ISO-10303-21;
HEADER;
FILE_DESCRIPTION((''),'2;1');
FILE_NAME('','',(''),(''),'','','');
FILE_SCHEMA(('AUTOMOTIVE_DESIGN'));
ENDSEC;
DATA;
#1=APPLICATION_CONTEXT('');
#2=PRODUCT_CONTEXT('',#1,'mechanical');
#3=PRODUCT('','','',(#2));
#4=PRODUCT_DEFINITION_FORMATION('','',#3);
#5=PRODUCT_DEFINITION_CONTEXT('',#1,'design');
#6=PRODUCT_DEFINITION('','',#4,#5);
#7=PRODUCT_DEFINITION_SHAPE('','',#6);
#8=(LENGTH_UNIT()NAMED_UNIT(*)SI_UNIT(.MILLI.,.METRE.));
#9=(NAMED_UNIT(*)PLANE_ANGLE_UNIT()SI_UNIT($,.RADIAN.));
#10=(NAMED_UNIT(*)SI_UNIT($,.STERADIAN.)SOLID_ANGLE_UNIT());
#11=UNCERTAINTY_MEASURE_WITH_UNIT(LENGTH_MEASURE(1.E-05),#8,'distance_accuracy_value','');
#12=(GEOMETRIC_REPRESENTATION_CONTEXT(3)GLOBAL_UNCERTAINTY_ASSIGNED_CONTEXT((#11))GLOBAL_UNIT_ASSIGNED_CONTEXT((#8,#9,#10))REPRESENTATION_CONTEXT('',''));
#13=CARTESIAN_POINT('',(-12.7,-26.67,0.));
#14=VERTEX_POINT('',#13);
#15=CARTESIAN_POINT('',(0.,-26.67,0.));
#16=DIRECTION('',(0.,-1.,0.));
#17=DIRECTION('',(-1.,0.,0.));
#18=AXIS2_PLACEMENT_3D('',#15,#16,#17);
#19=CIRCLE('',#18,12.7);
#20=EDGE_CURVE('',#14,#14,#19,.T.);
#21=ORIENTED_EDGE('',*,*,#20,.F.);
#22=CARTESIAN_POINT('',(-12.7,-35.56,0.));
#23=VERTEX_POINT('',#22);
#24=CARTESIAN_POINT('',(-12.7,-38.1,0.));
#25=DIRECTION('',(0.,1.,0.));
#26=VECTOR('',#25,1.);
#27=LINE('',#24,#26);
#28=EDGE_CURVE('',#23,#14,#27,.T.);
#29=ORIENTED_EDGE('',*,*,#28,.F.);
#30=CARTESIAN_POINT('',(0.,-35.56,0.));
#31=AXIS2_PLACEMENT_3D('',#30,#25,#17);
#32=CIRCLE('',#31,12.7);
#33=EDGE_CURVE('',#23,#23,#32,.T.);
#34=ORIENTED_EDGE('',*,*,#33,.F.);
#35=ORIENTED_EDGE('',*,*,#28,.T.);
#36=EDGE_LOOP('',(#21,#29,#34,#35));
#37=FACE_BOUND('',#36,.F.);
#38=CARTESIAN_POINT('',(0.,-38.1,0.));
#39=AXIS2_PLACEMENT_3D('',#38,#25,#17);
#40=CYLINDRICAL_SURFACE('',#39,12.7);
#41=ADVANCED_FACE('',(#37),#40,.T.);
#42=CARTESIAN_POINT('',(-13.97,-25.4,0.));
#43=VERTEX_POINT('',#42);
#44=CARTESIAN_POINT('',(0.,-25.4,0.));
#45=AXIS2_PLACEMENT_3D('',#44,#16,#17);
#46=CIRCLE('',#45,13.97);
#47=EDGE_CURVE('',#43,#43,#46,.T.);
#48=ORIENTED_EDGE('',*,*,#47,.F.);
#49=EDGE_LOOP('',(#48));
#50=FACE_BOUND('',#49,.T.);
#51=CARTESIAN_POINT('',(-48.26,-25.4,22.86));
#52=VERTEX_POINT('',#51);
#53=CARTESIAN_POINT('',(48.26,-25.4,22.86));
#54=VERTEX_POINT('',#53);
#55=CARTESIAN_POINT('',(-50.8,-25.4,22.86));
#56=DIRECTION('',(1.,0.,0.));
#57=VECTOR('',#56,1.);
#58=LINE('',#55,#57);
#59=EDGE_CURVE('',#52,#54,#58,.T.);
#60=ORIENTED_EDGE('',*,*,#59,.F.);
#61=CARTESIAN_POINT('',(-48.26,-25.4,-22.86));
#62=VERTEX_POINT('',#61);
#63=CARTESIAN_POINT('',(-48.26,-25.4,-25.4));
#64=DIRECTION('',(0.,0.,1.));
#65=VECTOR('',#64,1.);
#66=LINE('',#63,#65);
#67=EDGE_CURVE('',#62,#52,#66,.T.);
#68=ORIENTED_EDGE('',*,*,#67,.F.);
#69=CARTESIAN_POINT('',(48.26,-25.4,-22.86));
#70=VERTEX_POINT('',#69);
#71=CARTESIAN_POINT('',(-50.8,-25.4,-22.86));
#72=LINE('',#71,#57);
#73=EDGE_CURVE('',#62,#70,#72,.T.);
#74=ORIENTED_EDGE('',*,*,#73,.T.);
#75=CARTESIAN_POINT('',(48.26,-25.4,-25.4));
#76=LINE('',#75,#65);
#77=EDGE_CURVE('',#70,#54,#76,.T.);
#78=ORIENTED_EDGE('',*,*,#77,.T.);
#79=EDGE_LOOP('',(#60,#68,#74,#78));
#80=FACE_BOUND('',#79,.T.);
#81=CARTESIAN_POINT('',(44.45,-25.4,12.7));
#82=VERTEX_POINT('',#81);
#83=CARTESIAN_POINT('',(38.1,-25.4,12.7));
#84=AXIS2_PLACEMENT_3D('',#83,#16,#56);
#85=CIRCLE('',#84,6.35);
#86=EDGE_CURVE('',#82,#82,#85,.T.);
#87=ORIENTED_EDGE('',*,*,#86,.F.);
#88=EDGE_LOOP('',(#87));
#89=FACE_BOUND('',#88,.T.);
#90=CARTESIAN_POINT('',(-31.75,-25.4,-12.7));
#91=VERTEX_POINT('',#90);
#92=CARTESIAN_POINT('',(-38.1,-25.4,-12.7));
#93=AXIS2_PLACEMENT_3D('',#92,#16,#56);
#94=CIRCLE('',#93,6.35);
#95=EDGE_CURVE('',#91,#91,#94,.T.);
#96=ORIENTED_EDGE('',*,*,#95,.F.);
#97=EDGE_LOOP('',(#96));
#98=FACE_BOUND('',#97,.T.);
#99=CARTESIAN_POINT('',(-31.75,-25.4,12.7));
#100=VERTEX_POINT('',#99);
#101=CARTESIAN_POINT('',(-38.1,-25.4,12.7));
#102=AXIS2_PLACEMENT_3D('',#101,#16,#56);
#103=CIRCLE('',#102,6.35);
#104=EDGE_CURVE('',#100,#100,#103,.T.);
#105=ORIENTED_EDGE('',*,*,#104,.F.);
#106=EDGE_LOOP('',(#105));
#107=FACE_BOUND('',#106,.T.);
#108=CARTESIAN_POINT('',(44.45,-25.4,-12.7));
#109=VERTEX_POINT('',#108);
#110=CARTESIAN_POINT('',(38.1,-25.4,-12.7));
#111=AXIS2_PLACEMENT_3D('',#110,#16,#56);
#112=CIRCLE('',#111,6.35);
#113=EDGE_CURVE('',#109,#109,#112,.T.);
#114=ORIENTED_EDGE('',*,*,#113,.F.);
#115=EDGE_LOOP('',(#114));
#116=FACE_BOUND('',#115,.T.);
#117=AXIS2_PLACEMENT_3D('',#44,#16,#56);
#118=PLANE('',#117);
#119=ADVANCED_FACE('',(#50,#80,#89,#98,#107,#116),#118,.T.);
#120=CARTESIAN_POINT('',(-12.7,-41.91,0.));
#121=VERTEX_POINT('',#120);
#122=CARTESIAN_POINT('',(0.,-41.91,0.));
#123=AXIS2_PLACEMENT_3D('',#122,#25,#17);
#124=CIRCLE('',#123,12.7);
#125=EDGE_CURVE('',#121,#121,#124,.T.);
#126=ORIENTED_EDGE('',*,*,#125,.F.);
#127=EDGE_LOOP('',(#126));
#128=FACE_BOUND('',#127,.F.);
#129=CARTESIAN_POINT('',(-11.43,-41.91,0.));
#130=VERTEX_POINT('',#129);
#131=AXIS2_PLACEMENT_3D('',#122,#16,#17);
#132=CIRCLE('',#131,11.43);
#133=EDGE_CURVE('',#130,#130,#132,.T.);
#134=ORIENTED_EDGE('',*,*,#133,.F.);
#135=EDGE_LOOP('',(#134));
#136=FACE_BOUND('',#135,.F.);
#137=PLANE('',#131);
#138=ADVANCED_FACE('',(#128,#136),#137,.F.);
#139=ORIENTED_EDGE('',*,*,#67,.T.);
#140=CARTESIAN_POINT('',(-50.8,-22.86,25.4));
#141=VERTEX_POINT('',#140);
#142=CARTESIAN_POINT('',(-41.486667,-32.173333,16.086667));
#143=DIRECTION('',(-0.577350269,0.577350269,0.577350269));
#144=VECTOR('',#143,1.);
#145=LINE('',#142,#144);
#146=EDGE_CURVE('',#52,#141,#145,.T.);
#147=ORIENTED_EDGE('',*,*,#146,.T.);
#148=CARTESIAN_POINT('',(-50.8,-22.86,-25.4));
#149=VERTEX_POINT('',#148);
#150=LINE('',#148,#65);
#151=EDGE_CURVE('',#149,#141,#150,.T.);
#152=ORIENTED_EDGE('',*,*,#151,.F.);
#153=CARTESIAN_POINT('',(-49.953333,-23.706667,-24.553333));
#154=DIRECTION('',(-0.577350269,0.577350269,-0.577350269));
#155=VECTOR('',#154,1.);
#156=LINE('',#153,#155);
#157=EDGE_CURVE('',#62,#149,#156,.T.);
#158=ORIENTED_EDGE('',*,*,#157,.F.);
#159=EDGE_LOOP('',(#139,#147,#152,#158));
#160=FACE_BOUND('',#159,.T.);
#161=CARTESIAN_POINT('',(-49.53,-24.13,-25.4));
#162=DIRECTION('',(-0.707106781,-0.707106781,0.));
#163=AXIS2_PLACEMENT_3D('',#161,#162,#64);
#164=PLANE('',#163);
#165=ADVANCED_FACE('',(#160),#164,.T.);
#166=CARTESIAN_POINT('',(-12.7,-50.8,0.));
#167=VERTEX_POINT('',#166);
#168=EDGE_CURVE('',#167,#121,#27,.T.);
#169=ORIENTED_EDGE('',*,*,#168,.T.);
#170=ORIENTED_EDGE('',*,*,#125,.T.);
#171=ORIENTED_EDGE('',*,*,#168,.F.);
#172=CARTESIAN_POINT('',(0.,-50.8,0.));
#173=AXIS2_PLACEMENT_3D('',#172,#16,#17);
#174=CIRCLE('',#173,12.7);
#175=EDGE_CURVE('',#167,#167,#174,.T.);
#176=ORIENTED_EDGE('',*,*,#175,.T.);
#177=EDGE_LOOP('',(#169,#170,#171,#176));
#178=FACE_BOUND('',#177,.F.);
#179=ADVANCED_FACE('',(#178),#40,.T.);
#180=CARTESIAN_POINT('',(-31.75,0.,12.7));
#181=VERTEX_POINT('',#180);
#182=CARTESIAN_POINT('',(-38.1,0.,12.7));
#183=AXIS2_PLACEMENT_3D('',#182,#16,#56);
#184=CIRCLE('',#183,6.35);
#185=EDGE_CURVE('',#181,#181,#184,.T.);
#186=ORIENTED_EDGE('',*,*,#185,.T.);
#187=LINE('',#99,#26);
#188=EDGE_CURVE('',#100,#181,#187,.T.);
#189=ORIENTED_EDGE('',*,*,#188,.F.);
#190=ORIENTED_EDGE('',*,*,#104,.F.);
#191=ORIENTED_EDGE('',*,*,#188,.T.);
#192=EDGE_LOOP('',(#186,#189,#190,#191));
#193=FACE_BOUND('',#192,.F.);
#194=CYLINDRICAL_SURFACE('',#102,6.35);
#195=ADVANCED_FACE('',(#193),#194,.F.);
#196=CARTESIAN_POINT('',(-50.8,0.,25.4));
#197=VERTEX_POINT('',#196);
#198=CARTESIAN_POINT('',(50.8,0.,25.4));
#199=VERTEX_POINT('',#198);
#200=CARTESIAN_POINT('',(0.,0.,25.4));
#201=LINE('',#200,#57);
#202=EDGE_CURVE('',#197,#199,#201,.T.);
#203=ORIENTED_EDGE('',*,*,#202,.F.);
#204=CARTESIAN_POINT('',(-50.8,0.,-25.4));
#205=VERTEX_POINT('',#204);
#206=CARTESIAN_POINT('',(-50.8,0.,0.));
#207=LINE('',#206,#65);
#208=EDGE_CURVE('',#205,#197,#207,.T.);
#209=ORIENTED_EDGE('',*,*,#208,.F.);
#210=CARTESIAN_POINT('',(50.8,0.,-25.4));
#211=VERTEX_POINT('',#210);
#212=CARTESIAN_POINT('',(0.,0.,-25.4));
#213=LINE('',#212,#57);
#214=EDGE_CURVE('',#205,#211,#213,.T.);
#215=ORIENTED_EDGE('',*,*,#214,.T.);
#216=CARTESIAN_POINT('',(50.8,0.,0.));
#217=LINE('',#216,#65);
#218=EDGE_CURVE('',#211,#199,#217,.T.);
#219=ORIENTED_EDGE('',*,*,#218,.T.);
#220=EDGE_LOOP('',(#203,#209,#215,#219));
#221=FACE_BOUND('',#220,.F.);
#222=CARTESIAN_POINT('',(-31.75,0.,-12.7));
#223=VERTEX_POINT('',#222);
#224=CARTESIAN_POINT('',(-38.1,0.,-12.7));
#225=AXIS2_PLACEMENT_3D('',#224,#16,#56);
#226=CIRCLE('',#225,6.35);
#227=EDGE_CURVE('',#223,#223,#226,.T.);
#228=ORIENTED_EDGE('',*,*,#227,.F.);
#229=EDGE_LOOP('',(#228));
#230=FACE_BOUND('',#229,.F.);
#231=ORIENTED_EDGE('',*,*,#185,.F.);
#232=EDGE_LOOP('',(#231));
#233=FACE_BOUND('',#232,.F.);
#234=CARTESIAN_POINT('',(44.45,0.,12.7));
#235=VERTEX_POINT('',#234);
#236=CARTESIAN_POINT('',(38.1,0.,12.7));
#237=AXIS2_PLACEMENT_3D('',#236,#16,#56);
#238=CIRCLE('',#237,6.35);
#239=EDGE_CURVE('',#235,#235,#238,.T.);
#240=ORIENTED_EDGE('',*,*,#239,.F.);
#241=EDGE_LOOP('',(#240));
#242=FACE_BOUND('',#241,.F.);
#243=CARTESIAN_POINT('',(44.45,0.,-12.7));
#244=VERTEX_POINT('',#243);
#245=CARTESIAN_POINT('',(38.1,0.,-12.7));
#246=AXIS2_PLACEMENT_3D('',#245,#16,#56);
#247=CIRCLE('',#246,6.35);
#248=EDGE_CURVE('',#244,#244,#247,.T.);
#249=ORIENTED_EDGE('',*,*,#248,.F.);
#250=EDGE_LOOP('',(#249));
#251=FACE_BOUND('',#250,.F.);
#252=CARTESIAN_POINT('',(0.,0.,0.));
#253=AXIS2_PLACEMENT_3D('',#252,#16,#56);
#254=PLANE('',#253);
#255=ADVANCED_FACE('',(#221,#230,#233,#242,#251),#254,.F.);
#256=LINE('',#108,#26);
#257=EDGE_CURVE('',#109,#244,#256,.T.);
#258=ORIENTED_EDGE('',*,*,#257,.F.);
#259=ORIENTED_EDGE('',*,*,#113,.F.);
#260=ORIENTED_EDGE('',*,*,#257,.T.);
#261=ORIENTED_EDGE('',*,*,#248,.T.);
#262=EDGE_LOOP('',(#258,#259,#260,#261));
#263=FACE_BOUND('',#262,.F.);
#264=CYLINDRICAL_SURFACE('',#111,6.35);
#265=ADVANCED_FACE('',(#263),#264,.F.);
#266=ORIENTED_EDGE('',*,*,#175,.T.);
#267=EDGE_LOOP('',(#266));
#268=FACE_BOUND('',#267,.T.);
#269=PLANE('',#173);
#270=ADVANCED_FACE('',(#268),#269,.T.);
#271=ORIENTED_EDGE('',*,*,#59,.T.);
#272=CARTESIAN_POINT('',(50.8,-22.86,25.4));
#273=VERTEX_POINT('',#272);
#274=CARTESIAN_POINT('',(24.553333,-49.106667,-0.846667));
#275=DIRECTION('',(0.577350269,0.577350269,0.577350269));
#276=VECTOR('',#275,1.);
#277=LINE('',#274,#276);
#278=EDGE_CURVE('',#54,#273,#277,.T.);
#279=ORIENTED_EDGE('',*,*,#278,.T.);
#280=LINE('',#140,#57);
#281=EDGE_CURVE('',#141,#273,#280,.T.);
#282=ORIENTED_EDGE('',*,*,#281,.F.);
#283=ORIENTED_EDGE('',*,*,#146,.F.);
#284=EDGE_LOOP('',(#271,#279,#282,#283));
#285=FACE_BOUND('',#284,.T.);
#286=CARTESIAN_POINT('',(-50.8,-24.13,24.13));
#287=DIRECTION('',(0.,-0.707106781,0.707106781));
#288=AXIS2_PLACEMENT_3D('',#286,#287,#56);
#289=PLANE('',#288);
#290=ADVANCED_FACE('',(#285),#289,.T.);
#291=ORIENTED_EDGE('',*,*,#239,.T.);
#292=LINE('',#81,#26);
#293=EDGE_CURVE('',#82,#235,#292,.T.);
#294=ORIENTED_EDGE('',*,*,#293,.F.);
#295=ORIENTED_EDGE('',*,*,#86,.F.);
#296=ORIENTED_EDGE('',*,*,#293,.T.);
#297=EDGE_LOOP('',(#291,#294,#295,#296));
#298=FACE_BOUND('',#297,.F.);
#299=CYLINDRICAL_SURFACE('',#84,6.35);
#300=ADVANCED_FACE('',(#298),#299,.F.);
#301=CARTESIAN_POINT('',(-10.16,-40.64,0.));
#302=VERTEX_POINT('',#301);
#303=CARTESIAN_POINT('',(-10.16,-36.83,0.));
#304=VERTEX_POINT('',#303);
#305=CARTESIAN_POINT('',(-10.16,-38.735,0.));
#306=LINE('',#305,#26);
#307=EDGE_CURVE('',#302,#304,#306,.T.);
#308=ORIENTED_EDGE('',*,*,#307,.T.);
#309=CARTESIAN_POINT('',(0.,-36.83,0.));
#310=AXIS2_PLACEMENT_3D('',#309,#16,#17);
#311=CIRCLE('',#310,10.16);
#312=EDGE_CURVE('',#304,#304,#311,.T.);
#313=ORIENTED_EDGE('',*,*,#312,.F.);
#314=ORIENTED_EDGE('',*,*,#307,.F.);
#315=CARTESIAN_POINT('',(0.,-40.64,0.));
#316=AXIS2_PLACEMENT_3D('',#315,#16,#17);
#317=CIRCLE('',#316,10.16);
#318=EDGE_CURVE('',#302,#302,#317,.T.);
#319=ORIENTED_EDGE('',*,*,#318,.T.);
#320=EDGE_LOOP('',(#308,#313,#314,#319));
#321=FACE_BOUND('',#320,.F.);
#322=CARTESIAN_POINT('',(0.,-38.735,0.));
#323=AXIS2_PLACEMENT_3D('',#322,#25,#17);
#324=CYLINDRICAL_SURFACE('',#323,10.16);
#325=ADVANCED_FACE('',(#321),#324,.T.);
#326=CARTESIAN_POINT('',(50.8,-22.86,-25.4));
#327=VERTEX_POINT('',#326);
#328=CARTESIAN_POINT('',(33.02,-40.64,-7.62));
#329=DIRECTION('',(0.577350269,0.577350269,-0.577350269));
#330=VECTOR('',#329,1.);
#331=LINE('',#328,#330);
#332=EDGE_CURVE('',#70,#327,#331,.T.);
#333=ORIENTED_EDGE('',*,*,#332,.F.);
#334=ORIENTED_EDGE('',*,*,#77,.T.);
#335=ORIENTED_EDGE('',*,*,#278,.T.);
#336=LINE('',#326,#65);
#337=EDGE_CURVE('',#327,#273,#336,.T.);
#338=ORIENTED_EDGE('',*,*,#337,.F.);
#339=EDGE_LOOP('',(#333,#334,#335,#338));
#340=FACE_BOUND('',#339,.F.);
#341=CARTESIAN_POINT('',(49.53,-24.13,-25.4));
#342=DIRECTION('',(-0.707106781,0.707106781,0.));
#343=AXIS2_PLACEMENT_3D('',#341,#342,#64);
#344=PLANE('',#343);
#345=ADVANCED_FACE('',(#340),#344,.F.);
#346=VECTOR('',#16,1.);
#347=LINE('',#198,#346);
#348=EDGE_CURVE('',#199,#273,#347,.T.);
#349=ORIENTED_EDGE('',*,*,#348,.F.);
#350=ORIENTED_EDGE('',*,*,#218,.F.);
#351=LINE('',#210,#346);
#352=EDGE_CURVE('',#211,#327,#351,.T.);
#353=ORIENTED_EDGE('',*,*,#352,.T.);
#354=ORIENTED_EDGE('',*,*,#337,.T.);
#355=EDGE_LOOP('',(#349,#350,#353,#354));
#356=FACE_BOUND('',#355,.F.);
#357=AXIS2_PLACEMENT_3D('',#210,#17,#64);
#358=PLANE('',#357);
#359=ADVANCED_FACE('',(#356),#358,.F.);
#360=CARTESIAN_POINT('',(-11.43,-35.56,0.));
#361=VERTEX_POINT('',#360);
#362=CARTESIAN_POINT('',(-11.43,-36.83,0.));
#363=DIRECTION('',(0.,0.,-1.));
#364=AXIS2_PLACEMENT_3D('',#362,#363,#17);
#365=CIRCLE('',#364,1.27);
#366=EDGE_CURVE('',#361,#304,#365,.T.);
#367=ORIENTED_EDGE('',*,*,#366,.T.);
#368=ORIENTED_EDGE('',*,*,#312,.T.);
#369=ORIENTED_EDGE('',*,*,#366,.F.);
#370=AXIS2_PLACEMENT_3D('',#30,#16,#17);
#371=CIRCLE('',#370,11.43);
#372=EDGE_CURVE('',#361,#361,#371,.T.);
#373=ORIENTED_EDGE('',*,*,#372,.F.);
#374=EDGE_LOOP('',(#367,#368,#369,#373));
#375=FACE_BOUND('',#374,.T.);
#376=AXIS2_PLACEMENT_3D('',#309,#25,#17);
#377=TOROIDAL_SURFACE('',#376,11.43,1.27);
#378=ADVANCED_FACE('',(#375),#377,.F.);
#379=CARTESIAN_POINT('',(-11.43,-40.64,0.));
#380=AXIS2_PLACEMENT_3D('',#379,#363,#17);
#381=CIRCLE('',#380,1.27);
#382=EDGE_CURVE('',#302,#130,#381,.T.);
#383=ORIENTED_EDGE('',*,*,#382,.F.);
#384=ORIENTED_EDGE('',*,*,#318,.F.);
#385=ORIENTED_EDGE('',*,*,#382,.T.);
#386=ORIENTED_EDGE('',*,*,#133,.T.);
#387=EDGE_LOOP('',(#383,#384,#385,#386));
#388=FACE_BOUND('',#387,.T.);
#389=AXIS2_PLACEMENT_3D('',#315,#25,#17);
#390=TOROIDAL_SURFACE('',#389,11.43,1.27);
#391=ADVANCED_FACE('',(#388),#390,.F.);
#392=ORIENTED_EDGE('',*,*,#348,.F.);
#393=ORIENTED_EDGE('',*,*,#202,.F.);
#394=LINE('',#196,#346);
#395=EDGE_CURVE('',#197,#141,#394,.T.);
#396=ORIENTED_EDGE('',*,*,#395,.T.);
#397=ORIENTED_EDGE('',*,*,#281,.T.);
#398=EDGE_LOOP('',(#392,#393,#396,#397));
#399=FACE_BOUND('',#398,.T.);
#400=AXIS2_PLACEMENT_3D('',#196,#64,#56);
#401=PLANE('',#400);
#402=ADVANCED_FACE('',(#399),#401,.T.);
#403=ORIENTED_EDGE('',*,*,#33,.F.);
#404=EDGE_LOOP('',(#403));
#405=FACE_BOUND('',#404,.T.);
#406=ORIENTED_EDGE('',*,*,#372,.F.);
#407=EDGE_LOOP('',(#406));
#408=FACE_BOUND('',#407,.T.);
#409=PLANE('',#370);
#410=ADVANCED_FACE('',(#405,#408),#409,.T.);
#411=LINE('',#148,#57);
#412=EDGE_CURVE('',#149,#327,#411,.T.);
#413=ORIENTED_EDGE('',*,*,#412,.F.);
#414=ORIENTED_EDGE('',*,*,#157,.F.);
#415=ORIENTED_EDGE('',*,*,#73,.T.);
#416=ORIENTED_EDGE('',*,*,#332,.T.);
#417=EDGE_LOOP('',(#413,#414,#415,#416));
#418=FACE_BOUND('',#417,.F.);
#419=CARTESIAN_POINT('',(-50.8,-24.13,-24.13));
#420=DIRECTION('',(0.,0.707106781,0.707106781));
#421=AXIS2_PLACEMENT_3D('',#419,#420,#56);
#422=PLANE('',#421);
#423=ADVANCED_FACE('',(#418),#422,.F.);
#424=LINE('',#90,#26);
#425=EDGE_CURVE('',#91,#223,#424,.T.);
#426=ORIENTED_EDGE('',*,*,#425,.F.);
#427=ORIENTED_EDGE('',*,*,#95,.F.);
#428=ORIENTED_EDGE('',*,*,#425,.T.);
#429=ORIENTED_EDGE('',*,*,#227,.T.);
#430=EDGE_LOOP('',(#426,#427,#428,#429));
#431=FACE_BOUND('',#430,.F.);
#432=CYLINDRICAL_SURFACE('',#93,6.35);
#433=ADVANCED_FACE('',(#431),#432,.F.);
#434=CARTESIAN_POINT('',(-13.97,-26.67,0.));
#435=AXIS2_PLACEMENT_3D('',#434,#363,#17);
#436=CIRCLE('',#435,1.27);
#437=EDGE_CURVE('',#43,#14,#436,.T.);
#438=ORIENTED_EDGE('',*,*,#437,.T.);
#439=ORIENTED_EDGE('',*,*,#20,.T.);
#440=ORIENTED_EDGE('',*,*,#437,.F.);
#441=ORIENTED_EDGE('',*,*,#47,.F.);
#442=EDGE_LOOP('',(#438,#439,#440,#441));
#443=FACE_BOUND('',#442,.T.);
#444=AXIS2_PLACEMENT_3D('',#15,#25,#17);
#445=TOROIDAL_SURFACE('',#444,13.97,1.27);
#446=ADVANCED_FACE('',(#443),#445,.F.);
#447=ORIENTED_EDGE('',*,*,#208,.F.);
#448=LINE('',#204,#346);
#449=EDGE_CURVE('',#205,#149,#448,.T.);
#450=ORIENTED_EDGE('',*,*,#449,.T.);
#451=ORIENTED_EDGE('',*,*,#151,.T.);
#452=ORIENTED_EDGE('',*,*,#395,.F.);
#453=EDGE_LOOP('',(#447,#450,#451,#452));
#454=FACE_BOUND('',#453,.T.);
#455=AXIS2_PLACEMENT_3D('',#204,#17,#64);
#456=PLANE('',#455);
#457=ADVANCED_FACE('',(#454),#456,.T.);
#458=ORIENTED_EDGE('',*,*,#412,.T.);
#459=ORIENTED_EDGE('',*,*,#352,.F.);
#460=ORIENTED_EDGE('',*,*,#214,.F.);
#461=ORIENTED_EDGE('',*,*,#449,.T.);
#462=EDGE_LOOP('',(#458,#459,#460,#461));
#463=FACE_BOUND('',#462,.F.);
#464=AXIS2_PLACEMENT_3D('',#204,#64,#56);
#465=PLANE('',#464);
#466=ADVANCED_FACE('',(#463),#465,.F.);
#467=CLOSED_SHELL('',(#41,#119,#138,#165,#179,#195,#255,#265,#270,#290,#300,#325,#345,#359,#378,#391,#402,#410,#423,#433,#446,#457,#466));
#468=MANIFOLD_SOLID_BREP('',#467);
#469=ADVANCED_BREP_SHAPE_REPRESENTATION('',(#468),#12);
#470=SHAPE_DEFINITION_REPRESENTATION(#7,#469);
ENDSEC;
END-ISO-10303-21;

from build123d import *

# Parameters (mm, degrees)
F0_W     = 101.6
F0_H     = 50.8
F1_DEPTH = 25.4
F2_R     = 6.35
F3_DEPTH = 25.401
F4_W     = 12.7
F4_H     = 25.4
F6_W     = 4.233082
F6_H     = 6.35
F8_R     = 1.27
F9_SIZE  = 2.54


with BuildPart() as f1:
    # F0 (on Front) → F1 (new body)
    with BuildSketch(Plane.XZ):
        Rectangle(F0_W, F0_H)
    extrude(amount=F1_DEPTH)

    # F2 (on face) → F3 (cut, through all)
    with BuildSketch(Plane.XZ.offset(25.4)):
        with Locations((-38.1, 12.7)):
            Circle(F2_R)
        with Locations((-38.1, -12.7)):
            Circle(F2_R)
        with Locations((38.1, 12.7)):
            Circle(F2_R)
        with Locations((38.1, -12.7)):
            Circle(F2_R)
    extrude(amount=-F3_DEPTH, mode=Mode.SUBTRACT)

    # F4 (on Top) → F5 (revolve)
    with BuildSketch(Plane.XY):
        with Locations((-6.35, -38.1)):
            Rectangle(F4_W, F4_H)
    revolve(axis=Axis((0, -38.1, 0), (0, -1, 0)))

    # F6 (on Top) → F7 (revolve, cut)
    with BuildSketch(Plane.XY):
        with Locations((-12.276541, -38.735)):
            Rectangle(F6_W, F6_H)
    revolve(axis=Axis((0, -30.981315, 0), (0, -1, 0)), mode=Mode.SUBTRACT)

    # F8
    f8_edges = [f1.edges().sort_by_distance(p)[0] for p in [
        (12.7, -25.4, 0),
        (10.16, -41.91, 0),
        (10.16, -35.56, 0),
    ]]
    fillet(f8_edges, radius=F8_R)

    # F9
    f9_edges = [f1.edges().sort_by_distance(p)[0] for p in [
        (0, -25.4, -25.4),
        (-50.8, -25.4, 0),
        (0, -25.4, 25.4),
        (50.8, -25.4, 0),
    ]]
    chamfer(f9_edges, length=F9_SIZE)


solid = f1.part
